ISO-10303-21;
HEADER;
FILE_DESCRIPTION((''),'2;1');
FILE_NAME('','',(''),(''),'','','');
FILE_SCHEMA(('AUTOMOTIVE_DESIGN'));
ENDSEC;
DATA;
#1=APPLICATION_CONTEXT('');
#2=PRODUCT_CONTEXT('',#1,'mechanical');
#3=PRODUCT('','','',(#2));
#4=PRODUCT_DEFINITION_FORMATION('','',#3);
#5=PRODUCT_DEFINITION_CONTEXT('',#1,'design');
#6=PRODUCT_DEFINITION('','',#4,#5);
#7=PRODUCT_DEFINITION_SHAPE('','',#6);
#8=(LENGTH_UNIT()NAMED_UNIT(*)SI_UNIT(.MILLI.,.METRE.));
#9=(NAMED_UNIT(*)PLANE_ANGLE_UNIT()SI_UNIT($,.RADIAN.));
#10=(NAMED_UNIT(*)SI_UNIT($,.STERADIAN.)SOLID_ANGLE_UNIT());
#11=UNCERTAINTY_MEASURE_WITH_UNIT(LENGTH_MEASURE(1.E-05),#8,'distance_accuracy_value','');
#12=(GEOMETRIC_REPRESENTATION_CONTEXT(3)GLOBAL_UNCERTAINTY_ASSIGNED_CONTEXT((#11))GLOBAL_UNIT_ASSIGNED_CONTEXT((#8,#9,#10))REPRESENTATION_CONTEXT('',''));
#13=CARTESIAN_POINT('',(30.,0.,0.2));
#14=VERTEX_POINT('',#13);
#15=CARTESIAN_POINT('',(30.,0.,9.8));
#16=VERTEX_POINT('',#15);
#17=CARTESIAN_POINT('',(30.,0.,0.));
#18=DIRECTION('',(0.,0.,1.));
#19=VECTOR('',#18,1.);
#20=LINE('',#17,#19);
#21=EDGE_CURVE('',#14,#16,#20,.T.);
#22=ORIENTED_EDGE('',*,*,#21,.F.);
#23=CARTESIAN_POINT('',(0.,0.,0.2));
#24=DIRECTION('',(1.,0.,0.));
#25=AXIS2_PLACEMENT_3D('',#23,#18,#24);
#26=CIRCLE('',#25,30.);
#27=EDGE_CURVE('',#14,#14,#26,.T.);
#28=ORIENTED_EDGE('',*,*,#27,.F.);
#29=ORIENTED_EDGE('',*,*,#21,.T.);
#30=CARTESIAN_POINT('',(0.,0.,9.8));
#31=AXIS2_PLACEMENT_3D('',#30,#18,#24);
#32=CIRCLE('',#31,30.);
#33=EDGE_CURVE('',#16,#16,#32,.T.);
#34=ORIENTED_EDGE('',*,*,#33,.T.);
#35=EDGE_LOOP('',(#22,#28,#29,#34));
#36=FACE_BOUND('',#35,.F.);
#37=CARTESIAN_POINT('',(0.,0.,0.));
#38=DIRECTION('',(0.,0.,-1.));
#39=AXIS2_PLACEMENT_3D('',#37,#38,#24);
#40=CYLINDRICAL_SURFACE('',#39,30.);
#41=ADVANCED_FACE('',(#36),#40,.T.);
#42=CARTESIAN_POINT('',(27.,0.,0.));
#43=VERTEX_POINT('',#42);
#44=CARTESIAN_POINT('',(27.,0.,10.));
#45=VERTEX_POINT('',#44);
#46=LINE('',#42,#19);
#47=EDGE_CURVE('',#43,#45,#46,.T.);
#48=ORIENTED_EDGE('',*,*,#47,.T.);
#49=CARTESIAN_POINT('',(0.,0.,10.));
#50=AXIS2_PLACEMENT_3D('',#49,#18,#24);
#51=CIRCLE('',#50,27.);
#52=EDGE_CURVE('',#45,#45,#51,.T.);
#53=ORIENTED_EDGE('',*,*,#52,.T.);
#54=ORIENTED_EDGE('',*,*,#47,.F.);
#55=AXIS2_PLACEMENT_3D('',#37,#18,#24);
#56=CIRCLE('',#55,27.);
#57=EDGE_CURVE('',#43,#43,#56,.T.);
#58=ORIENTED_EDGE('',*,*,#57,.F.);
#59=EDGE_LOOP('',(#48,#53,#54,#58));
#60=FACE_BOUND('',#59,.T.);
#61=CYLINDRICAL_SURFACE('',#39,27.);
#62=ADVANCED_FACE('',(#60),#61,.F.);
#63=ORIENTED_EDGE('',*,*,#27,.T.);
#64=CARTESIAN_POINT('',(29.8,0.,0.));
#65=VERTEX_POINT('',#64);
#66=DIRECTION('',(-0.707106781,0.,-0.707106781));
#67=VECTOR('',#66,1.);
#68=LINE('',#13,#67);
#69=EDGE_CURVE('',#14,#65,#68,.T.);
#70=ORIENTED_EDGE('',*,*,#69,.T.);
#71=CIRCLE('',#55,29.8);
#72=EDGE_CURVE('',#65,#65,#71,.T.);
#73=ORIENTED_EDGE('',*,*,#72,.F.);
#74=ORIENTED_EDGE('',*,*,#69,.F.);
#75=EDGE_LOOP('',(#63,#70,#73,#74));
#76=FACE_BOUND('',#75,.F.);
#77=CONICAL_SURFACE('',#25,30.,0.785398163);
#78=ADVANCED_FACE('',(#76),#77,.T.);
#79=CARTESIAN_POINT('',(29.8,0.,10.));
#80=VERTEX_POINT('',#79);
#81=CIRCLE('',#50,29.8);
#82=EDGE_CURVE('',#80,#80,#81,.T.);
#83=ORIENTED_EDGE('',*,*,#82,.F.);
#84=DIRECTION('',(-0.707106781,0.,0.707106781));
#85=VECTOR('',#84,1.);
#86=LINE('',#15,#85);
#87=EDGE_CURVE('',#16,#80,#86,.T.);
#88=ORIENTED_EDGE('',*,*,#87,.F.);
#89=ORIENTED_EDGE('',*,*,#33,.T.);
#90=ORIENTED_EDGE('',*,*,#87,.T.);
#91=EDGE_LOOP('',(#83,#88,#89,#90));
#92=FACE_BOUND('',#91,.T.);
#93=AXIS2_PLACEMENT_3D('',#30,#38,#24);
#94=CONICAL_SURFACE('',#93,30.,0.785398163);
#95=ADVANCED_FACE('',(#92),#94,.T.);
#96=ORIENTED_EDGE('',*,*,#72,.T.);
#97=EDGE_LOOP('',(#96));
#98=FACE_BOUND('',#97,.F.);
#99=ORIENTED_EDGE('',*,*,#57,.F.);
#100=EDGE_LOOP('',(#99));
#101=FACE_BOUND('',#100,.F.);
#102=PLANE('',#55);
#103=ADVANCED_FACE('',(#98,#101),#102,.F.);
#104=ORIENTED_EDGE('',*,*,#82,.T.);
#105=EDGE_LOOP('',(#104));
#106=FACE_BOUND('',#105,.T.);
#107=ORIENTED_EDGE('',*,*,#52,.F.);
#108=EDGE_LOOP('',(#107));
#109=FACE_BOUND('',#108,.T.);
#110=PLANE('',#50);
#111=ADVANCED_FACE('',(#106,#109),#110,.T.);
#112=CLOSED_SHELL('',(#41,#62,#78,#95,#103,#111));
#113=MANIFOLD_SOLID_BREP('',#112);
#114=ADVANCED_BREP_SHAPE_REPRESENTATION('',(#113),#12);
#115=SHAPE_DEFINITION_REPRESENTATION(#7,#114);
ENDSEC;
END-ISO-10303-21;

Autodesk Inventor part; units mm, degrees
ref_plane "YZ Plane" through (0, 0, 0) normal (1, 0, 0) x (0, 1, 0)
ref_plane "XZ Plane" through (0, 0, 0) normal (0, 1, 0) x (-1, 0, 0)
ref_plane "XY Plane" through (0, 0, 0) normal (0, 0, 1) x (1, 0, 0)
sketch "Skizze1" plane through (0, 0, 0) normal (0, 0, 1) x (1, 0, 0)
  circle A0 centre (0, 0) radius 30
  circle A1 centre (0, 0) radius 27
  dimension "d0" = 60
  dimension "d1" = 54
extrude "Extrusion1" add sketch "Skizze1" along normal blind 10
chamfer "Fase1" distance 0.2 angle 45 2 edges at (-30, 0, 10) (-30, 0, 0)
properties part number "reifen" material "Polyurethan-Kautschuk Polurea 60"
